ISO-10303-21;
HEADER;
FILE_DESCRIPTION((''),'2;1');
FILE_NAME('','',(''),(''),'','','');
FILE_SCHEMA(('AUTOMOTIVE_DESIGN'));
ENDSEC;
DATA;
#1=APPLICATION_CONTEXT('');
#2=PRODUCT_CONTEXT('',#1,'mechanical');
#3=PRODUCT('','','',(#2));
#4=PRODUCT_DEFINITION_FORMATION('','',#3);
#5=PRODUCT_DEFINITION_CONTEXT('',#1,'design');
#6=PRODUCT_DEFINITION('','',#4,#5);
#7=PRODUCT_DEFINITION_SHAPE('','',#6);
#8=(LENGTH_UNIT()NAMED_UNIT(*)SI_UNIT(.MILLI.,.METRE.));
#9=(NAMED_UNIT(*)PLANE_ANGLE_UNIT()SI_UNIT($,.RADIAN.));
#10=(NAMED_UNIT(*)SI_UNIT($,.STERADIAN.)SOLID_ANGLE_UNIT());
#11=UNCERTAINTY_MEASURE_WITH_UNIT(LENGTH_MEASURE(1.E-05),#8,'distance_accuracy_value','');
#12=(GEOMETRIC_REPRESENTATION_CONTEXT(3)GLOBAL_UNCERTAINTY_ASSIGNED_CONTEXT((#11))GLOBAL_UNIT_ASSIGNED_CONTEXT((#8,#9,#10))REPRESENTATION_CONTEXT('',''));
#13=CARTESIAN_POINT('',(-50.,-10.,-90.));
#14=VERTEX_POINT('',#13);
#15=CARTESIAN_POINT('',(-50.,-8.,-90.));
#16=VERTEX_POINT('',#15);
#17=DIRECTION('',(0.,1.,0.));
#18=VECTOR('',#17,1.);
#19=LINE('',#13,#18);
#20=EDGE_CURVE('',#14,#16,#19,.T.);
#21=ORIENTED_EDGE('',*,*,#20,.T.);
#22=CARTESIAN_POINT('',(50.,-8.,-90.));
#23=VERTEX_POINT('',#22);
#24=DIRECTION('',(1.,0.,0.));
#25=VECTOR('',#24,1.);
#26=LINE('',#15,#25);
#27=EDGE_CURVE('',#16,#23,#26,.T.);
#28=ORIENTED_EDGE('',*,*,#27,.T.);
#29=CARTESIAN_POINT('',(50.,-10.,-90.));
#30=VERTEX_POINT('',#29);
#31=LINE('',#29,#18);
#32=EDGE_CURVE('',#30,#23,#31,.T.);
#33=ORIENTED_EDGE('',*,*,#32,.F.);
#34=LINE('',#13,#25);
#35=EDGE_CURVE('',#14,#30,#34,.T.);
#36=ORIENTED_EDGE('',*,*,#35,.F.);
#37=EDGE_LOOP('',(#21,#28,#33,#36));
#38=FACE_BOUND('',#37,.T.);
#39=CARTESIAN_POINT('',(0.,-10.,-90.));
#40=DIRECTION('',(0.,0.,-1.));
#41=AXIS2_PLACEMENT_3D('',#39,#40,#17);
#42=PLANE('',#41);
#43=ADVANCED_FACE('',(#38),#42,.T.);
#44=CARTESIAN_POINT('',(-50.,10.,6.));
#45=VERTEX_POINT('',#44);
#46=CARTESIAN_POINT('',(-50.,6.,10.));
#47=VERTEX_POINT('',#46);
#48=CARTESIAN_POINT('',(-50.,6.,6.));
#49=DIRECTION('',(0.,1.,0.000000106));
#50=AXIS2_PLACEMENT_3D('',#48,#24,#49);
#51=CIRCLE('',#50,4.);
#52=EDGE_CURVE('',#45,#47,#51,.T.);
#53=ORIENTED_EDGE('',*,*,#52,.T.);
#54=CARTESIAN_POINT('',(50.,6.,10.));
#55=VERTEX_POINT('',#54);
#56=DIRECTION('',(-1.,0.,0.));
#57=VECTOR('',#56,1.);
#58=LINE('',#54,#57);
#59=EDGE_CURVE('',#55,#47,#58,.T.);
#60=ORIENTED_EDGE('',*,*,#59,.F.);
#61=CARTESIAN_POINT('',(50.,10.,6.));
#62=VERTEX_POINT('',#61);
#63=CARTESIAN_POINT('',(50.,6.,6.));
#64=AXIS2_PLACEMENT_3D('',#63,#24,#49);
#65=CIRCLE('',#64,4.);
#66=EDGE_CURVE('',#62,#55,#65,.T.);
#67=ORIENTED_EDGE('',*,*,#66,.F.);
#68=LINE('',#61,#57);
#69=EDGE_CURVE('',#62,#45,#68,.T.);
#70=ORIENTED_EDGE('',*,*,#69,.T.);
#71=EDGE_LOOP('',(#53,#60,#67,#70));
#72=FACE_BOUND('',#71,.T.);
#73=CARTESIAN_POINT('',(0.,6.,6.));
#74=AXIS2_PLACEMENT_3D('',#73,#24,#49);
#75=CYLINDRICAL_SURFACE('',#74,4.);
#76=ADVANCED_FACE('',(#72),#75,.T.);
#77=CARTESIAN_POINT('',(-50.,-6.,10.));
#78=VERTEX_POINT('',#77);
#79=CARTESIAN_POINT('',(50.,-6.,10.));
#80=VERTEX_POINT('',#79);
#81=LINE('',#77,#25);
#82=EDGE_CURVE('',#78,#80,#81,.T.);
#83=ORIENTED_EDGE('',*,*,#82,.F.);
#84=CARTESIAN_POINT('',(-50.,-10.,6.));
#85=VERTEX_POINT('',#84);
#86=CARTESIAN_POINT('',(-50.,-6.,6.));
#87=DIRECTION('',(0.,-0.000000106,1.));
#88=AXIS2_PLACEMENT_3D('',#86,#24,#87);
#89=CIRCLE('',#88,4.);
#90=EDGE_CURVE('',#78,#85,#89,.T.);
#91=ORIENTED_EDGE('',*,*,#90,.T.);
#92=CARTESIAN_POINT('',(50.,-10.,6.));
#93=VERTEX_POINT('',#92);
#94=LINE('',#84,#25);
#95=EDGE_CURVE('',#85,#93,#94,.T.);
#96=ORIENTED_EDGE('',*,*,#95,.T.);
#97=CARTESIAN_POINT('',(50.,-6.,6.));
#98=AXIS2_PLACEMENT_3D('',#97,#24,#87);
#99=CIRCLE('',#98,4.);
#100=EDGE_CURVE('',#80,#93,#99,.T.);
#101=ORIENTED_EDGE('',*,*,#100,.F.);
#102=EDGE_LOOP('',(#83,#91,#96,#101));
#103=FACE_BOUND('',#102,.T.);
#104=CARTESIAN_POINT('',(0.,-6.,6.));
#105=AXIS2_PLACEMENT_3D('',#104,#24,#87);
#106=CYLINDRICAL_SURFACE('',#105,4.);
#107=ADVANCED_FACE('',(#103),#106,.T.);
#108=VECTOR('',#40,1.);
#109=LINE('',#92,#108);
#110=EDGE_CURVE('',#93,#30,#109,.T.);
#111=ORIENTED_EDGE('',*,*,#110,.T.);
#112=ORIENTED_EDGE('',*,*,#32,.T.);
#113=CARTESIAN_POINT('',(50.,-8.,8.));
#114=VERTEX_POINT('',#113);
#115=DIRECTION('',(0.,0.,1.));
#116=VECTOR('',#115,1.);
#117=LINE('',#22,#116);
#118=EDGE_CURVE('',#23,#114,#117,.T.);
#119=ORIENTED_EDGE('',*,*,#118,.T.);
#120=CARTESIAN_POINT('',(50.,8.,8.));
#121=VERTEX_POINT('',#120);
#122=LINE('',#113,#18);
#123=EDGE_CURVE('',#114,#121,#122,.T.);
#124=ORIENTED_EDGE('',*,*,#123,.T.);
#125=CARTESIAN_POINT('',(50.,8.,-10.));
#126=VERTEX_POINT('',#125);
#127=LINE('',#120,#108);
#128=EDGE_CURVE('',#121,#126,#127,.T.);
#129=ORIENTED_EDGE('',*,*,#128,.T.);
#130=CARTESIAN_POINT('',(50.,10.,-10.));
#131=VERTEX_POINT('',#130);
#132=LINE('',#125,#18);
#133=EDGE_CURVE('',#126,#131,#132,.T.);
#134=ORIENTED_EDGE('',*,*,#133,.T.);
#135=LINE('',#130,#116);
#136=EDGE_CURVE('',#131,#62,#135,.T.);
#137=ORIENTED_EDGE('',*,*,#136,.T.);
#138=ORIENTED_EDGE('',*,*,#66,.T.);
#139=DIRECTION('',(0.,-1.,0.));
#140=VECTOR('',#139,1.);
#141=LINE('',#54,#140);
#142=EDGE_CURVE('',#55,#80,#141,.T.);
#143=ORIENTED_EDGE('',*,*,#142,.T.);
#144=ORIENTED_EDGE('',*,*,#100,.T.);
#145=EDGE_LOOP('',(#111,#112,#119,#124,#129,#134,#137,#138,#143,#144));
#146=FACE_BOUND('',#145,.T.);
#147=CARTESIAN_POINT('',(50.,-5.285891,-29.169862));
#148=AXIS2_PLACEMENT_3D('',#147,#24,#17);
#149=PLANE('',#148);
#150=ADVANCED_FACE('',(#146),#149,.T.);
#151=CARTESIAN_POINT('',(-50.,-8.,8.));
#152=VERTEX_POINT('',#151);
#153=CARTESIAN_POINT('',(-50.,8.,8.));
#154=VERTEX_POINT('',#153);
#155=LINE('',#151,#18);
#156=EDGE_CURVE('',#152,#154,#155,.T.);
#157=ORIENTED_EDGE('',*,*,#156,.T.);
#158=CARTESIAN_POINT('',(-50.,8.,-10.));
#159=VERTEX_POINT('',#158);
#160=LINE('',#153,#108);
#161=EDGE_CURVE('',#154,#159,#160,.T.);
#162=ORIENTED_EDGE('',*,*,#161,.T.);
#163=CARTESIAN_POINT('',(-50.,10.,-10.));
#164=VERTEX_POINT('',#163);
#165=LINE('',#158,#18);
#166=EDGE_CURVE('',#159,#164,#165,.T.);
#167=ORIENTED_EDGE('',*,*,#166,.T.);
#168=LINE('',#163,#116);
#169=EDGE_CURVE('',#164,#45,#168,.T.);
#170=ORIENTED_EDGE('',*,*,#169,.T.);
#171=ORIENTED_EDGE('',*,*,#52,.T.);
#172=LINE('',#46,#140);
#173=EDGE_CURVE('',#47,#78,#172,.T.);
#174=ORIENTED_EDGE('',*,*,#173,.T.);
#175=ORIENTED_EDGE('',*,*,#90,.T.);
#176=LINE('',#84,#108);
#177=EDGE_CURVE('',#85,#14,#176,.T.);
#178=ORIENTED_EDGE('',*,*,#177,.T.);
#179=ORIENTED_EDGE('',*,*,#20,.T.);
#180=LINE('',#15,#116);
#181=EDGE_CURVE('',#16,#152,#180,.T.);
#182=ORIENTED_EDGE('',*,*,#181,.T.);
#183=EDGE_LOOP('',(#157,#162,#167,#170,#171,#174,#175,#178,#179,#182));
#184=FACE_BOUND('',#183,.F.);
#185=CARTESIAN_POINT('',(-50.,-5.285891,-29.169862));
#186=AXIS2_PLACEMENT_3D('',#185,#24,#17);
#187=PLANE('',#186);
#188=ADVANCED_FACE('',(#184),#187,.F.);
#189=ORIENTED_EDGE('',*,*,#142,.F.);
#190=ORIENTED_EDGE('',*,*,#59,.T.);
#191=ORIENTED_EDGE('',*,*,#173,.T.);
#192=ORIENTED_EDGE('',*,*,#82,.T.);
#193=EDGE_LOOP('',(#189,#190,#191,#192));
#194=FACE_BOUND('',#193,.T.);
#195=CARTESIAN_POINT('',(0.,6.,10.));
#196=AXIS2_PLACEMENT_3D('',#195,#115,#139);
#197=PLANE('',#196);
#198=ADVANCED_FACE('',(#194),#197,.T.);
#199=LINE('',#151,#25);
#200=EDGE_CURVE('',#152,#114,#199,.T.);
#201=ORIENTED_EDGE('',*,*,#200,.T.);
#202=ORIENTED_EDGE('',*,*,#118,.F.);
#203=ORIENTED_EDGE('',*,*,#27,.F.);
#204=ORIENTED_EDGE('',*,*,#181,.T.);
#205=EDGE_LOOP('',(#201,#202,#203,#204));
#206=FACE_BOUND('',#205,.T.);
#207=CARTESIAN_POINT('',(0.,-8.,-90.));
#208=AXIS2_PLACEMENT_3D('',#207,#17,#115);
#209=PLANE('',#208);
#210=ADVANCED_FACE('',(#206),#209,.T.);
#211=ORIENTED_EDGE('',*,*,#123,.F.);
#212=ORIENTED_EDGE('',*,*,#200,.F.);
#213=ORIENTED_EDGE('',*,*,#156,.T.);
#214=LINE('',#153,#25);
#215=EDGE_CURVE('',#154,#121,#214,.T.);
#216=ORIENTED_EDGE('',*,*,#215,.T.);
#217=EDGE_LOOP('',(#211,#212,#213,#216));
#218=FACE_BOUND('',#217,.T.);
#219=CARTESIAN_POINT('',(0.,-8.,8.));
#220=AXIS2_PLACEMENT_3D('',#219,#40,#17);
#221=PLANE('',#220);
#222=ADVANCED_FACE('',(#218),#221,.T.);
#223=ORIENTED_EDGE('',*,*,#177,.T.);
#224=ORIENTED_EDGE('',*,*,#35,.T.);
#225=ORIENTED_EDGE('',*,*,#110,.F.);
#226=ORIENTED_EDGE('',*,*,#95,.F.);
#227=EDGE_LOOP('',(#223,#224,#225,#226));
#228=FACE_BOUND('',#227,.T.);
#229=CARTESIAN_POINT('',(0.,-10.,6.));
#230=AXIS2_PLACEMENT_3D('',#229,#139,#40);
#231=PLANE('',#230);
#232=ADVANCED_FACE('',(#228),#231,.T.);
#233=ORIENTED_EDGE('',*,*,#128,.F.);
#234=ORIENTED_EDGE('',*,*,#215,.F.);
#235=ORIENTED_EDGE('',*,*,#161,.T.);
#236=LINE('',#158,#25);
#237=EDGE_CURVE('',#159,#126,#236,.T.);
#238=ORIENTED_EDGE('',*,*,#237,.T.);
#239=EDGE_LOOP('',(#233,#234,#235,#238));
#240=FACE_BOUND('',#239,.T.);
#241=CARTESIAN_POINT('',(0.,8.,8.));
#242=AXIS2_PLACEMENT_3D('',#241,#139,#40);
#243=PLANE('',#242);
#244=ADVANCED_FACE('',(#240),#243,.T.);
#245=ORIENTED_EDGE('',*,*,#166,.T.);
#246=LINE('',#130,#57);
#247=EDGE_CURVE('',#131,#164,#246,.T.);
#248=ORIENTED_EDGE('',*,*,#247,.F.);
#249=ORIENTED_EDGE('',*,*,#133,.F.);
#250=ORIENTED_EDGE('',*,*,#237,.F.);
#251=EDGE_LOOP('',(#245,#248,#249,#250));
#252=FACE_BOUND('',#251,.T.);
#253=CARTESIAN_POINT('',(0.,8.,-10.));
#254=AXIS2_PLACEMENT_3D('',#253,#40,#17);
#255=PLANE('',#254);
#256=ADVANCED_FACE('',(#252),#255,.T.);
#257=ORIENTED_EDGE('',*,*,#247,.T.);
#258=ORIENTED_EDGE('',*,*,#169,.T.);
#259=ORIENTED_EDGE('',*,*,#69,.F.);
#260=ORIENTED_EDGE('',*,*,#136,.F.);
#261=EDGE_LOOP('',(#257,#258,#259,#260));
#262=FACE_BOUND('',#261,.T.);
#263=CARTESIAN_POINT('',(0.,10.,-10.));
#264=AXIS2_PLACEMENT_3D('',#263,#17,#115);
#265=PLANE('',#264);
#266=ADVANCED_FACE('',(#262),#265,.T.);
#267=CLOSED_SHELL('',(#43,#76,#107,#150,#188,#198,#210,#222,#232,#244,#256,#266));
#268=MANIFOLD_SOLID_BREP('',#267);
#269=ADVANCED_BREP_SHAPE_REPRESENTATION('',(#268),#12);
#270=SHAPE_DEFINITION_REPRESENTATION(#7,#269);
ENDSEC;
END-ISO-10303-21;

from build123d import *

# Parameters (mm, degrees)
F1_DEPTH = 50


with BuildPart() as f1:
    # F0 (on Right) → F1 (new body, symmetric)
    with BuildSketch(Plane.YZ):
        with BuildLine():
            Line((6, 10), (-6, 10))
            ThreePointArc((-6, 10), (-8.828427, 8.828427), (-10, 6))
            Line((-10, 6), (-10, -10))
            Line((-10, -10), (-10, -90))
            Line((-10, -90), (-8, -90))
            Line((-8, -90), (-8, -10))
            Line((-8, -10), (-8, 8))
            Line((-8, 8), (8, 8))
            Line((8, 8), (8, -10))
            Line((8, -10), (10, -10))
            Line((10, -10), (10, 6))
            ThreePointArc((10, 6), (8.828427, 8.828427), (6, 10))
        make_face()
    extrude(amount=F1_DEPTH, both=True)


solid = f1.part
